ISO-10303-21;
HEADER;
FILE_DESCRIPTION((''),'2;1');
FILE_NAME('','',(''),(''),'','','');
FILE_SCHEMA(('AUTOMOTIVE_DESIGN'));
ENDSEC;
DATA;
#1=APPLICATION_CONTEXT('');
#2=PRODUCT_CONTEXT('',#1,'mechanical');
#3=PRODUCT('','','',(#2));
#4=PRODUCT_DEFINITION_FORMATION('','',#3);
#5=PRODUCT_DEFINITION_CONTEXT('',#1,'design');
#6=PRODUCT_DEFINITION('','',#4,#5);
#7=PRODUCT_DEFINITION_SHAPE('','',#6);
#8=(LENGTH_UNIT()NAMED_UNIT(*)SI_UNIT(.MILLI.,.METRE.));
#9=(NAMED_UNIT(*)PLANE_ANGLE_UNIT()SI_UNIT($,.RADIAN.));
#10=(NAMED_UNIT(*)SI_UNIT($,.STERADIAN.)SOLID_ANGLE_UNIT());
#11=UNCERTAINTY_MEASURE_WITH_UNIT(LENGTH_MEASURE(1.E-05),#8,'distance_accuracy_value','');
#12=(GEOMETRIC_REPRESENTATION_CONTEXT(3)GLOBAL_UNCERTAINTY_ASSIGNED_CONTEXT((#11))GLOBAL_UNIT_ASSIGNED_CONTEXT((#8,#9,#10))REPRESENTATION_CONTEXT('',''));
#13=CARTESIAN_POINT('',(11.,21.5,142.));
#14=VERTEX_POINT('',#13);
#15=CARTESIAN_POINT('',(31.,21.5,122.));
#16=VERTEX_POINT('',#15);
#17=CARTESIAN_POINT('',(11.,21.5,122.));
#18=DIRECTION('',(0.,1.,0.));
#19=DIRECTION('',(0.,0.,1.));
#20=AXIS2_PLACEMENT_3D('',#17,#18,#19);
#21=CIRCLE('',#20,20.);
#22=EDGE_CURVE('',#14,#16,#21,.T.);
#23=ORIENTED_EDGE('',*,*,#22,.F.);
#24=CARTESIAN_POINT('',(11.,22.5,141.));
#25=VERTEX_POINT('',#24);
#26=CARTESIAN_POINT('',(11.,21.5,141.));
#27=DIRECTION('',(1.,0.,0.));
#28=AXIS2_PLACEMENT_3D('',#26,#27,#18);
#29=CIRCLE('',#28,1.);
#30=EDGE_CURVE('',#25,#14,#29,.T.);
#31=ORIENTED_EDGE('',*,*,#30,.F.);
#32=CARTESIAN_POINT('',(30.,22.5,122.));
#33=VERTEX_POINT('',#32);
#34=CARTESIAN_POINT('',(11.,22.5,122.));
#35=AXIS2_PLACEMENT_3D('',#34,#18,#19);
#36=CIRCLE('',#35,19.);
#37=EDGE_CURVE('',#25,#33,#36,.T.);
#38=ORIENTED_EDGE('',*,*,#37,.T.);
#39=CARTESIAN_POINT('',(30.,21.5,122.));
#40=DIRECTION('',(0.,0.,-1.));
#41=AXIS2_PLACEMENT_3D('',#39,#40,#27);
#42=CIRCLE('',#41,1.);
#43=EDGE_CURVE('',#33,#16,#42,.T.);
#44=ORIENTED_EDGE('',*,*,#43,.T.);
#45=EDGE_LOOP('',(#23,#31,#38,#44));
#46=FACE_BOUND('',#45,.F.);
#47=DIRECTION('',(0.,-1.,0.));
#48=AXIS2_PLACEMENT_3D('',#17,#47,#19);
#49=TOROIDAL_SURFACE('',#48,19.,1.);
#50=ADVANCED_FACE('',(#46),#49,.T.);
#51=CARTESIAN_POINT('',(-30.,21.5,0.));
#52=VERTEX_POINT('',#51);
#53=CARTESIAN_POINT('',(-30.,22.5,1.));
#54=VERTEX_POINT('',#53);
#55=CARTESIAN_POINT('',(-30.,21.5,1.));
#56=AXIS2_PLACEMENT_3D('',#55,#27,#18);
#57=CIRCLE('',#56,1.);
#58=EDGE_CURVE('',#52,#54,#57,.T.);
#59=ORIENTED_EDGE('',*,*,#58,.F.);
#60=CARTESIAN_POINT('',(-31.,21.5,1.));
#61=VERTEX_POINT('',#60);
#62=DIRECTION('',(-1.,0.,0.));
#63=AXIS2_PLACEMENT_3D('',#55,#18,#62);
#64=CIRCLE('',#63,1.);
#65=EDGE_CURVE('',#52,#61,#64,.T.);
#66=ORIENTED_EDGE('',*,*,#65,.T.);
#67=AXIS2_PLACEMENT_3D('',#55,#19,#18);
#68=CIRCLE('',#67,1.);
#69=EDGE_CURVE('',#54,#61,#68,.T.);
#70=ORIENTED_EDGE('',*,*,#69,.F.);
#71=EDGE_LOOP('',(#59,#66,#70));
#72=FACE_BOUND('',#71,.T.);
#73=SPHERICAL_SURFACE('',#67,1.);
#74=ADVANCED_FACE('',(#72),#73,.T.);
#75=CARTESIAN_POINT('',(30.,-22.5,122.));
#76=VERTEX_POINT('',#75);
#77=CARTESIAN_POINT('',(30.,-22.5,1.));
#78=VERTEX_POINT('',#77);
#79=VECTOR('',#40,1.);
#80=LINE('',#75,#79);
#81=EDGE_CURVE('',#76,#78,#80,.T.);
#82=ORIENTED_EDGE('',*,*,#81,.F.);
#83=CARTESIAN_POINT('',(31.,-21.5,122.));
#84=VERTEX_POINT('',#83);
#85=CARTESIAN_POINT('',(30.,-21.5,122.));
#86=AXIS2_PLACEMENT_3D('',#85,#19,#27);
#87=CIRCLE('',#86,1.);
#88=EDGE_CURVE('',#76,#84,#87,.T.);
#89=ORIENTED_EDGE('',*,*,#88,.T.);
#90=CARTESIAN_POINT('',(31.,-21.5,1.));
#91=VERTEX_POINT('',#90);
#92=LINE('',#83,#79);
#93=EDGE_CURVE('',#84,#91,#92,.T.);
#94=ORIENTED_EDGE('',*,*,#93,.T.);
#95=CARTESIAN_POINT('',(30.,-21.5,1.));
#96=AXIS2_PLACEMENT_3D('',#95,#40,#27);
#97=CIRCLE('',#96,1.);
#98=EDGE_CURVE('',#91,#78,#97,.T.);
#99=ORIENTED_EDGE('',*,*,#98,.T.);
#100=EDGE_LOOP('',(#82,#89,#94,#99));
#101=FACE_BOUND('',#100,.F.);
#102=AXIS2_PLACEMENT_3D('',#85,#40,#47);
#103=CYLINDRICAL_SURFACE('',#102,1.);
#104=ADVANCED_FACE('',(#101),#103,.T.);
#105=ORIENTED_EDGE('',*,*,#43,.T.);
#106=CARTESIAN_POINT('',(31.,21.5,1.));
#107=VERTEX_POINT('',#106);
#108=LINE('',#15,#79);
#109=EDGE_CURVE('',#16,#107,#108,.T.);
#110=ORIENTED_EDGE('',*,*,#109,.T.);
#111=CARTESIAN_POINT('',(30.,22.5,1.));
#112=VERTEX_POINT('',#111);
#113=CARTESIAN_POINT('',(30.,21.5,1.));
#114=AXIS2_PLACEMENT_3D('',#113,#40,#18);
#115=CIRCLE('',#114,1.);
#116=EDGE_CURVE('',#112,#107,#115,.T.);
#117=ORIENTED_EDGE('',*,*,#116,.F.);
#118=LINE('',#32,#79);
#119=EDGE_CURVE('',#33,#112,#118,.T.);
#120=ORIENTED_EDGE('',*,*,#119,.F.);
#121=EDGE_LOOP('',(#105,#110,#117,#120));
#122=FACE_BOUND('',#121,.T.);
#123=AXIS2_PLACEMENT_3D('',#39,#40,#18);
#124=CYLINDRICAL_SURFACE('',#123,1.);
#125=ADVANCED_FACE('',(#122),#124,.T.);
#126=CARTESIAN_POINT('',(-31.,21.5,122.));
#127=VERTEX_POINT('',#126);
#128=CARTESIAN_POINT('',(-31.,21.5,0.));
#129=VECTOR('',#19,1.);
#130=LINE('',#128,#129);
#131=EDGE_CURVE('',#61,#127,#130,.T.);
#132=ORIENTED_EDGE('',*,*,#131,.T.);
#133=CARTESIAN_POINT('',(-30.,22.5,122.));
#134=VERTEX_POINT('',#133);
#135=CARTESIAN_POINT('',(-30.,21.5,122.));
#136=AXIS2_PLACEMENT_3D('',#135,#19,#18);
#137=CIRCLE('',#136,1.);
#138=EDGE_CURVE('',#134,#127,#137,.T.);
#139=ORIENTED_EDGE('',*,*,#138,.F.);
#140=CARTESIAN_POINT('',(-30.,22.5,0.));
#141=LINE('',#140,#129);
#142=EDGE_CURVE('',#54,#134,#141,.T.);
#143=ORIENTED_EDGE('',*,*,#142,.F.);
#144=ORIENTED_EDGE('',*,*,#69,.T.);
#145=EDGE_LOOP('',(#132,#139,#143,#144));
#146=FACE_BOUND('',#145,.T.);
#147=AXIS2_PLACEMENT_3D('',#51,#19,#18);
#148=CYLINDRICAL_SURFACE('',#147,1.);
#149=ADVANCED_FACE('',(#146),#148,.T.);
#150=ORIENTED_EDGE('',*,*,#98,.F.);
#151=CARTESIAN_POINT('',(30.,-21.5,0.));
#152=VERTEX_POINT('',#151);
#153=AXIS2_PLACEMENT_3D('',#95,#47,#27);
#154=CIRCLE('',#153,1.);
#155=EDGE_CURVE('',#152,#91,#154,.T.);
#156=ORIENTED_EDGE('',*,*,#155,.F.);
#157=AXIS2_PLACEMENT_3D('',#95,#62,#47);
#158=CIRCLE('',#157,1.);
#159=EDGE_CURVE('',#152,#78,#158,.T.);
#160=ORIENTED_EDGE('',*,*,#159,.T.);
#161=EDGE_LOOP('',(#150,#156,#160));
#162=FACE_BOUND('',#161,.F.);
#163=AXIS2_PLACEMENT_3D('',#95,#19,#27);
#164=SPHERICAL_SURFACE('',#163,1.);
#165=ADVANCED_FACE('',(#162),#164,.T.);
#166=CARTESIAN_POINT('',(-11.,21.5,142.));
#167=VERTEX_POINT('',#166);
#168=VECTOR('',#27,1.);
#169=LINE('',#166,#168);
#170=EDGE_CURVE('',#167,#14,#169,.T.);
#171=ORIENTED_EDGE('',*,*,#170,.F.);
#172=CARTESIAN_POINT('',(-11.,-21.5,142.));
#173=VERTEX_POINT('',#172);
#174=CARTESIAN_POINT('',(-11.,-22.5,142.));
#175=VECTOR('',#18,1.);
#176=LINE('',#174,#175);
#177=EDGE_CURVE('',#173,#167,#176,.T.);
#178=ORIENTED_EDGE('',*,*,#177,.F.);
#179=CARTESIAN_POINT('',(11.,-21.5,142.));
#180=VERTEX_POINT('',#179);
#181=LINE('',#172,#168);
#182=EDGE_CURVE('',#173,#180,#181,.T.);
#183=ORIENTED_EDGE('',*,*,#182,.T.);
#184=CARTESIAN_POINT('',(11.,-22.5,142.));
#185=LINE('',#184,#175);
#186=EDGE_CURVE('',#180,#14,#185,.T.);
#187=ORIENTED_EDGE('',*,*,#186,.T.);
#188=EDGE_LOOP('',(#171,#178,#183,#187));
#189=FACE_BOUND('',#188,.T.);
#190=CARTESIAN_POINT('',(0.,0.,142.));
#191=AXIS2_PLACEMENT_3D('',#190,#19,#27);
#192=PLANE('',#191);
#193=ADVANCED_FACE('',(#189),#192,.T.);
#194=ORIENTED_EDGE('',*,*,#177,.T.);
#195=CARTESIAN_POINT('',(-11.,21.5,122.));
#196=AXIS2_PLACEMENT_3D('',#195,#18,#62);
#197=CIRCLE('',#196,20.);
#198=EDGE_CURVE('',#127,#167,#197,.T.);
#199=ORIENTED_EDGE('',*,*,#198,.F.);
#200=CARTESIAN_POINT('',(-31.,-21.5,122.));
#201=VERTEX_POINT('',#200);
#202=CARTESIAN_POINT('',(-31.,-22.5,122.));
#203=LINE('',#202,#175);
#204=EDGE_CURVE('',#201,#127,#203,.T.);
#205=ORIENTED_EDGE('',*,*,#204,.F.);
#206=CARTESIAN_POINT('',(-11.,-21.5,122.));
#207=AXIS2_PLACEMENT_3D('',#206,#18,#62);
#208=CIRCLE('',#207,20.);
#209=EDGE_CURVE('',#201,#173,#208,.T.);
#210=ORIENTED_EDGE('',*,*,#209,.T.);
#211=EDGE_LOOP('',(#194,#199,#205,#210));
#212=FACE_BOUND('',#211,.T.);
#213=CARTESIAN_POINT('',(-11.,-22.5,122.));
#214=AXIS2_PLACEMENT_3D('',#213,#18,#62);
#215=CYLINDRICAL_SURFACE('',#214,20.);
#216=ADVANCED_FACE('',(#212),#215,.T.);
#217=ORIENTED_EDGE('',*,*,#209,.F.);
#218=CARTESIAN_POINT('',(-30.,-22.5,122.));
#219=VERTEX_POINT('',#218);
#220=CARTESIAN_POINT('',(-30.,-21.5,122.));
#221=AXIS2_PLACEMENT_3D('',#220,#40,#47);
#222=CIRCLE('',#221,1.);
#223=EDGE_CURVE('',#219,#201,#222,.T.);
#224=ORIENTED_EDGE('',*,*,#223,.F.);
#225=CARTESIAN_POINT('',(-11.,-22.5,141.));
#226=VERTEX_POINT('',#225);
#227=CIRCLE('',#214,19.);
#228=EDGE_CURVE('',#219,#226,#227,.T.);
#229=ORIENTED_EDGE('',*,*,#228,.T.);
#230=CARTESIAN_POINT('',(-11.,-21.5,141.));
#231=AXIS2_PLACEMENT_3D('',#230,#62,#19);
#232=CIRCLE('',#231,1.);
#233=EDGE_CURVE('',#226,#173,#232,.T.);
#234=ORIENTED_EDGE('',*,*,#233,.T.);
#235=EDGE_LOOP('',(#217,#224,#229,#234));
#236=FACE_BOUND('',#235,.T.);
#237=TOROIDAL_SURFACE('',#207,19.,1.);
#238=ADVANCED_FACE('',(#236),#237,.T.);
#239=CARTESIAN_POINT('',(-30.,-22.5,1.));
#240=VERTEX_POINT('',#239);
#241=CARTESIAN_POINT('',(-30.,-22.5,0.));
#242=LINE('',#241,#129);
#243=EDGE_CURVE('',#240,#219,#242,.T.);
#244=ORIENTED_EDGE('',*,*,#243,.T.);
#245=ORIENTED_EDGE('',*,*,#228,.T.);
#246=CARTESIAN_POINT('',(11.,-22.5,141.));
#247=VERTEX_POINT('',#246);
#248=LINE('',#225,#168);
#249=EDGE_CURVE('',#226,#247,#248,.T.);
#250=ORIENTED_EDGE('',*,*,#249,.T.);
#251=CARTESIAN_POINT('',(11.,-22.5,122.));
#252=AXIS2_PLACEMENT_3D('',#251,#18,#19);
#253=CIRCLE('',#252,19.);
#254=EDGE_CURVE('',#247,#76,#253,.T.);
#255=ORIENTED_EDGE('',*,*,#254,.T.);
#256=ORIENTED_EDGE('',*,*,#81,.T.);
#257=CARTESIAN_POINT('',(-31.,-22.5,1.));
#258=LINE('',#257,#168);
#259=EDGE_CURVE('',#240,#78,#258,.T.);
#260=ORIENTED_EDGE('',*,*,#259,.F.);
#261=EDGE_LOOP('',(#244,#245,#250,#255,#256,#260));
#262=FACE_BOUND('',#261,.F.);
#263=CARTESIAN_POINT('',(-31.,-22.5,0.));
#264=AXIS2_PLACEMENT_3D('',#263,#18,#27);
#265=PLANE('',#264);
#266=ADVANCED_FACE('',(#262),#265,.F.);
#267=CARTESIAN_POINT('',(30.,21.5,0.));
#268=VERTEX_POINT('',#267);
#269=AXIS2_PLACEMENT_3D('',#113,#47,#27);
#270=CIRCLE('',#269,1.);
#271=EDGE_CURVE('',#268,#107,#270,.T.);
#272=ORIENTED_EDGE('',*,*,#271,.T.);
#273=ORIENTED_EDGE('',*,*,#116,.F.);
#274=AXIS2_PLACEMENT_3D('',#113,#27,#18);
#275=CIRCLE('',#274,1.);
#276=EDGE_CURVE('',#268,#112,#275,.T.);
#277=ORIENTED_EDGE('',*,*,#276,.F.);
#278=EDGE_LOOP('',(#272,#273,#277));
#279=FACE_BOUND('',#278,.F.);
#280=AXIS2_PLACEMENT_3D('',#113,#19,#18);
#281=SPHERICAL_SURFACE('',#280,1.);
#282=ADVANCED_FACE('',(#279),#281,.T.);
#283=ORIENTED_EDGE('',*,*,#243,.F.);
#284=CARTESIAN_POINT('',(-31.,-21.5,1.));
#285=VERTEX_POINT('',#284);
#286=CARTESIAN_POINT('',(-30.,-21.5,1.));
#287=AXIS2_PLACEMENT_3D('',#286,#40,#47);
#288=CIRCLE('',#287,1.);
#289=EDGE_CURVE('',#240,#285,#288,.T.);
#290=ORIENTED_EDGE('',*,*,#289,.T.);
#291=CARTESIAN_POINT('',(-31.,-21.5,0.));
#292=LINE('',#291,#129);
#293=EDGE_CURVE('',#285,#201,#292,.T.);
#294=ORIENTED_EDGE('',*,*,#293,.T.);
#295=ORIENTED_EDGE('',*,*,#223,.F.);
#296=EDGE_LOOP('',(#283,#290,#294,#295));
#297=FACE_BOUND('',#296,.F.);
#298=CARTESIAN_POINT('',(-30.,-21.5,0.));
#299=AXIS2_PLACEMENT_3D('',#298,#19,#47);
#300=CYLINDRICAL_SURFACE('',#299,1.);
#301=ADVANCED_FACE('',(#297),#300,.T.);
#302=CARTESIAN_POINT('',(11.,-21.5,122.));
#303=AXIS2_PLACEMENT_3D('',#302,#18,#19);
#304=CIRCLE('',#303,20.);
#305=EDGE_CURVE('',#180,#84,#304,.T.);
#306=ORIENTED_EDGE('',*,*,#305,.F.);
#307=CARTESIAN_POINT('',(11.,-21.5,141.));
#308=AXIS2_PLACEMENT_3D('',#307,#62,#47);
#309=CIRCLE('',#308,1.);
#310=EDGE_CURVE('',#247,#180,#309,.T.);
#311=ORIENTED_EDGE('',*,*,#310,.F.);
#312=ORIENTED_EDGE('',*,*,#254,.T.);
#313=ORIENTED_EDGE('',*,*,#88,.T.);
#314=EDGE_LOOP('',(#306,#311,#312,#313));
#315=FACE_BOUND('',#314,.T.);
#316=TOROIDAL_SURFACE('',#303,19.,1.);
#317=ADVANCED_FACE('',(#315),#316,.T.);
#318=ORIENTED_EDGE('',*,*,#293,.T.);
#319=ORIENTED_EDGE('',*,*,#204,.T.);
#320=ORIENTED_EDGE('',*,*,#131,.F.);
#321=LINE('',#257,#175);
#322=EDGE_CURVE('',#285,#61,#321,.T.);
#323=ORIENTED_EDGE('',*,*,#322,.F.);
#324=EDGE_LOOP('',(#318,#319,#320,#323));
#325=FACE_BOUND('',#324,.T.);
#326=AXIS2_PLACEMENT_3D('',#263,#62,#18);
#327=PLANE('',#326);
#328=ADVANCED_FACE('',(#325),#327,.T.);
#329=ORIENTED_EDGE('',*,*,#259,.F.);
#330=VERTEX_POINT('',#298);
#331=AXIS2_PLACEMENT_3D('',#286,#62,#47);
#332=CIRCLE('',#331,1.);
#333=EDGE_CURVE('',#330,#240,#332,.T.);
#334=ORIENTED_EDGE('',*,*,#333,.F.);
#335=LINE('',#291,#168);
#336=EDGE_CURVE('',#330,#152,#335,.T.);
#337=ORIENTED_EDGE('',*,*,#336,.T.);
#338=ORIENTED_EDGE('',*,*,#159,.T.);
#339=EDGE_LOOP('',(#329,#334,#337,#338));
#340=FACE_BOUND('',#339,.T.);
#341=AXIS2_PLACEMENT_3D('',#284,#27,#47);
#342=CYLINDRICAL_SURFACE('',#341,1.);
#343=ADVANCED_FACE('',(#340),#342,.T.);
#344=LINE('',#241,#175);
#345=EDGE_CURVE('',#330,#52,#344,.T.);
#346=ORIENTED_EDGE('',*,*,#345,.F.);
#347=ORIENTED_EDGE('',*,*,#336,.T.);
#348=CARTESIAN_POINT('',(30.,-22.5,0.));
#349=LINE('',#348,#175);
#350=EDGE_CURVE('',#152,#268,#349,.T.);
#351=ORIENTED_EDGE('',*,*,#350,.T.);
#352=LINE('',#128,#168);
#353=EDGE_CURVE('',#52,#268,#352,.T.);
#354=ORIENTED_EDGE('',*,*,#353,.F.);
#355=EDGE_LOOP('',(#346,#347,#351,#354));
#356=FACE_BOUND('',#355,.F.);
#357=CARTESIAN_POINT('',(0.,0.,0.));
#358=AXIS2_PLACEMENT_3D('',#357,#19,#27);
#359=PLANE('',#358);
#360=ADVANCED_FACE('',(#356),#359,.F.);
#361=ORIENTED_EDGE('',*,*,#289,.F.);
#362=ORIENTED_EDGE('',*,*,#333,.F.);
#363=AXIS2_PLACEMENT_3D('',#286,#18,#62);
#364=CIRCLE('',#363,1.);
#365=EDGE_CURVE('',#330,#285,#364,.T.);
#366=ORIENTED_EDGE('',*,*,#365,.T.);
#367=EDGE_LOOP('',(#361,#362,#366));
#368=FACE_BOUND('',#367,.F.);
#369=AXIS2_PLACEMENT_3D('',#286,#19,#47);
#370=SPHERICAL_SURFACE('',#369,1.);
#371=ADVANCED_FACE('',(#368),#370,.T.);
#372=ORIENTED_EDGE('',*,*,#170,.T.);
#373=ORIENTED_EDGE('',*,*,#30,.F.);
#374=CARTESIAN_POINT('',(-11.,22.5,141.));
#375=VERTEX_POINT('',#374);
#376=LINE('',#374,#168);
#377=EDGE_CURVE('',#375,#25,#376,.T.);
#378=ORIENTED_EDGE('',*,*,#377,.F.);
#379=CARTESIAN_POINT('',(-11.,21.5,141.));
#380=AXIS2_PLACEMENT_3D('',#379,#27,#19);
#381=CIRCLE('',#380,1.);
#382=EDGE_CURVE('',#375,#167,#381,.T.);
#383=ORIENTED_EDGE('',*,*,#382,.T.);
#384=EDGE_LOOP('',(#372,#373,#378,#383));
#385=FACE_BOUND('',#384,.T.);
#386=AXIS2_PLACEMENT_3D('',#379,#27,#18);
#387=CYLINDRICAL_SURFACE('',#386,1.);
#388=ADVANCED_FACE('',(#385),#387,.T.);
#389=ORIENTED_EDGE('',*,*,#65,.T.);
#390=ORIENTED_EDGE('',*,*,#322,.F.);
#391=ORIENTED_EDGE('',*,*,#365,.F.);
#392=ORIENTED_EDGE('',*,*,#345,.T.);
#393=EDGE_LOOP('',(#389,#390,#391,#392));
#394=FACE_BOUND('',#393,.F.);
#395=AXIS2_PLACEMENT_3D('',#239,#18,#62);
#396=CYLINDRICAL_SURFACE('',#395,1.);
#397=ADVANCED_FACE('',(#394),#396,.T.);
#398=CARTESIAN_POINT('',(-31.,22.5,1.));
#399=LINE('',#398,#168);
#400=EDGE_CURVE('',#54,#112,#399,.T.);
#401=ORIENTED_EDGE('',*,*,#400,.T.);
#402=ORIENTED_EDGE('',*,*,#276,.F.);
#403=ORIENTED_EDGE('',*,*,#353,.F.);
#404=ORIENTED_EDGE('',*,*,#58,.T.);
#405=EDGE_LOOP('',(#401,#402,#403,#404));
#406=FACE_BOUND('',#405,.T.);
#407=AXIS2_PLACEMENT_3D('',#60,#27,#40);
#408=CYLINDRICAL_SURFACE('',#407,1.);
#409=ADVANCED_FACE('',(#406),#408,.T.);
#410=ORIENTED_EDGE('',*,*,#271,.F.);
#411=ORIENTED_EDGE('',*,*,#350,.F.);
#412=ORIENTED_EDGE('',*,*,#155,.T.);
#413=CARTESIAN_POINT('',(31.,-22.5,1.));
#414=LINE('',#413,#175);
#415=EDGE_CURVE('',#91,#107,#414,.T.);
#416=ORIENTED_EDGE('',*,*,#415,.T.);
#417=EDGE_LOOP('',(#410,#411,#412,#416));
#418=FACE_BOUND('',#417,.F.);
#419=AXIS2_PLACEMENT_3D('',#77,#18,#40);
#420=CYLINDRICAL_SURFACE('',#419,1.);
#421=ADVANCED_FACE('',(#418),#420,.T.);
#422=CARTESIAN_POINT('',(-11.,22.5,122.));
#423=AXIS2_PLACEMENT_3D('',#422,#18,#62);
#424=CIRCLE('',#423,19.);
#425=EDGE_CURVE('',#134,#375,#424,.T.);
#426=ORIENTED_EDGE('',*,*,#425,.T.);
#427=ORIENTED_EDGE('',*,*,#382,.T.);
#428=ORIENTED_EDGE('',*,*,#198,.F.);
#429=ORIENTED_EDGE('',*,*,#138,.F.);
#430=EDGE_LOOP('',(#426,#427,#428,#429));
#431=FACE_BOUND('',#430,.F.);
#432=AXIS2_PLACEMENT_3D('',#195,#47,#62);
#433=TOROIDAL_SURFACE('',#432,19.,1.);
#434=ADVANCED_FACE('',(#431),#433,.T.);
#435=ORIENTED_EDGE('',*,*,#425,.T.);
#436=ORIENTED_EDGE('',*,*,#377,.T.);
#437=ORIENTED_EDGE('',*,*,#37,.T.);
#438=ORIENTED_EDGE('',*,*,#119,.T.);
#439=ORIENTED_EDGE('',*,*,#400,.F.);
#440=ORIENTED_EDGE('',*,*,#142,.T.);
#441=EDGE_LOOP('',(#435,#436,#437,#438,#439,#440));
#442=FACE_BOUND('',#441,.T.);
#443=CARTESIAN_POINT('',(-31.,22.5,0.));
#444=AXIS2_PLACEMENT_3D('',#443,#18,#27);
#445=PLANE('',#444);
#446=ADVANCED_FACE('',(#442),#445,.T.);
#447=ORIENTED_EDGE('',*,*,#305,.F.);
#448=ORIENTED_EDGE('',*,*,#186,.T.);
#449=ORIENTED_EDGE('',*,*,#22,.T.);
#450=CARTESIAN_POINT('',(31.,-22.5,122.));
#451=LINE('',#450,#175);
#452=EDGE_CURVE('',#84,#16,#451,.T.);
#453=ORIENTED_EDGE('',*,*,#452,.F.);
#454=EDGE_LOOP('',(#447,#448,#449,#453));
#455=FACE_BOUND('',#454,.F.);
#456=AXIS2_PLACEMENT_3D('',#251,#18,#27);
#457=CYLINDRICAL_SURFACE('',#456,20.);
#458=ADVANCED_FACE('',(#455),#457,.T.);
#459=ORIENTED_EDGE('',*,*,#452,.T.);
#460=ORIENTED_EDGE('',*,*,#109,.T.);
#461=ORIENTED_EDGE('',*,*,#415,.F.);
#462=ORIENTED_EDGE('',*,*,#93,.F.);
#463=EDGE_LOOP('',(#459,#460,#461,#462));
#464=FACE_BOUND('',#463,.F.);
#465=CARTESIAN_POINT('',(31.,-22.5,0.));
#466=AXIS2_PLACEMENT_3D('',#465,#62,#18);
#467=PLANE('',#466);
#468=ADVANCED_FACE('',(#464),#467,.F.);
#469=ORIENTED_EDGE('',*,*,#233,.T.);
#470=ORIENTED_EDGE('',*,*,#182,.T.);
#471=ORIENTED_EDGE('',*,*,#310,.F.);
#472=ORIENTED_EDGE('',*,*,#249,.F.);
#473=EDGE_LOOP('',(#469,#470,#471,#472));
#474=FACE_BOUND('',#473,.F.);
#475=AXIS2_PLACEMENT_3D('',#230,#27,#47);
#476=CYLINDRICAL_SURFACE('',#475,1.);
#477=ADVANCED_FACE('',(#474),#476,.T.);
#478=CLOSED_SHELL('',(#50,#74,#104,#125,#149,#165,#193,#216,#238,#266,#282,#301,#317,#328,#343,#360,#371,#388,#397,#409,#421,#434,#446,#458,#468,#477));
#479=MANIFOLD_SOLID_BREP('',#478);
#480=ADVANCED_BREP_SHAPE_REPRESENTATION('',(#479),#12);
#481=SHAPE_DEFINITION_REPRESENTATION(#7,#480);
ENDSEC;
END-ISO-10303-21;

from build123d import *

# Parameters (mm, degrees)
SKETCH1_W           = 62
SKETCH1_H           = 45
BOSS_EXTRUDE1_DEPTH = 142
FILLET1_R           = 20
FILLET2_R           = 1


with BuildPart() as part:
    # Sketch1 → Boss-Extrude1 (new body)
    with BuildSketch(Plane.XY):
        Rectangle(SKETCH1_W, SKETCH1_H)
    extrude(amount=BOSS_EXTRUDE1_DEPTH)

    # Fillet1
    fillet1_edges = [part.edges().sort_by_distance(p)[0] for p in [
        (31, 0, 142),
        (-31, 0, 142),
    ]]
    fillet(fillet1_edges, radius=FILLET1_R)

    # Fillet2
    fillet2_edges = [part.edges().sort_by_distance(p)[0] for p in [
        (0, -22.5, 142),
        (0, 22.5, 142),
        (31, -22.5, 61),
        (-31, -22.5, 61),
        (25.142135624, -22.5, 136.142135624),
        (-25.142135624, -22.5, 136.142135624),
        (-31, 22.5, 61),
        (31, 22.5, 61),
        (25.142135624, 22.5, 136.142135624),
        (-25.142135624, 22.5, 136.142135624),
        (0, 22.5, 0),
        (31, 0, 0),
        (0, -22.5, 0),
        (-31, 0, 0),
    ]]
    fillet(fillet2_edges, radius=FILLET2_R)


solid = part.part
